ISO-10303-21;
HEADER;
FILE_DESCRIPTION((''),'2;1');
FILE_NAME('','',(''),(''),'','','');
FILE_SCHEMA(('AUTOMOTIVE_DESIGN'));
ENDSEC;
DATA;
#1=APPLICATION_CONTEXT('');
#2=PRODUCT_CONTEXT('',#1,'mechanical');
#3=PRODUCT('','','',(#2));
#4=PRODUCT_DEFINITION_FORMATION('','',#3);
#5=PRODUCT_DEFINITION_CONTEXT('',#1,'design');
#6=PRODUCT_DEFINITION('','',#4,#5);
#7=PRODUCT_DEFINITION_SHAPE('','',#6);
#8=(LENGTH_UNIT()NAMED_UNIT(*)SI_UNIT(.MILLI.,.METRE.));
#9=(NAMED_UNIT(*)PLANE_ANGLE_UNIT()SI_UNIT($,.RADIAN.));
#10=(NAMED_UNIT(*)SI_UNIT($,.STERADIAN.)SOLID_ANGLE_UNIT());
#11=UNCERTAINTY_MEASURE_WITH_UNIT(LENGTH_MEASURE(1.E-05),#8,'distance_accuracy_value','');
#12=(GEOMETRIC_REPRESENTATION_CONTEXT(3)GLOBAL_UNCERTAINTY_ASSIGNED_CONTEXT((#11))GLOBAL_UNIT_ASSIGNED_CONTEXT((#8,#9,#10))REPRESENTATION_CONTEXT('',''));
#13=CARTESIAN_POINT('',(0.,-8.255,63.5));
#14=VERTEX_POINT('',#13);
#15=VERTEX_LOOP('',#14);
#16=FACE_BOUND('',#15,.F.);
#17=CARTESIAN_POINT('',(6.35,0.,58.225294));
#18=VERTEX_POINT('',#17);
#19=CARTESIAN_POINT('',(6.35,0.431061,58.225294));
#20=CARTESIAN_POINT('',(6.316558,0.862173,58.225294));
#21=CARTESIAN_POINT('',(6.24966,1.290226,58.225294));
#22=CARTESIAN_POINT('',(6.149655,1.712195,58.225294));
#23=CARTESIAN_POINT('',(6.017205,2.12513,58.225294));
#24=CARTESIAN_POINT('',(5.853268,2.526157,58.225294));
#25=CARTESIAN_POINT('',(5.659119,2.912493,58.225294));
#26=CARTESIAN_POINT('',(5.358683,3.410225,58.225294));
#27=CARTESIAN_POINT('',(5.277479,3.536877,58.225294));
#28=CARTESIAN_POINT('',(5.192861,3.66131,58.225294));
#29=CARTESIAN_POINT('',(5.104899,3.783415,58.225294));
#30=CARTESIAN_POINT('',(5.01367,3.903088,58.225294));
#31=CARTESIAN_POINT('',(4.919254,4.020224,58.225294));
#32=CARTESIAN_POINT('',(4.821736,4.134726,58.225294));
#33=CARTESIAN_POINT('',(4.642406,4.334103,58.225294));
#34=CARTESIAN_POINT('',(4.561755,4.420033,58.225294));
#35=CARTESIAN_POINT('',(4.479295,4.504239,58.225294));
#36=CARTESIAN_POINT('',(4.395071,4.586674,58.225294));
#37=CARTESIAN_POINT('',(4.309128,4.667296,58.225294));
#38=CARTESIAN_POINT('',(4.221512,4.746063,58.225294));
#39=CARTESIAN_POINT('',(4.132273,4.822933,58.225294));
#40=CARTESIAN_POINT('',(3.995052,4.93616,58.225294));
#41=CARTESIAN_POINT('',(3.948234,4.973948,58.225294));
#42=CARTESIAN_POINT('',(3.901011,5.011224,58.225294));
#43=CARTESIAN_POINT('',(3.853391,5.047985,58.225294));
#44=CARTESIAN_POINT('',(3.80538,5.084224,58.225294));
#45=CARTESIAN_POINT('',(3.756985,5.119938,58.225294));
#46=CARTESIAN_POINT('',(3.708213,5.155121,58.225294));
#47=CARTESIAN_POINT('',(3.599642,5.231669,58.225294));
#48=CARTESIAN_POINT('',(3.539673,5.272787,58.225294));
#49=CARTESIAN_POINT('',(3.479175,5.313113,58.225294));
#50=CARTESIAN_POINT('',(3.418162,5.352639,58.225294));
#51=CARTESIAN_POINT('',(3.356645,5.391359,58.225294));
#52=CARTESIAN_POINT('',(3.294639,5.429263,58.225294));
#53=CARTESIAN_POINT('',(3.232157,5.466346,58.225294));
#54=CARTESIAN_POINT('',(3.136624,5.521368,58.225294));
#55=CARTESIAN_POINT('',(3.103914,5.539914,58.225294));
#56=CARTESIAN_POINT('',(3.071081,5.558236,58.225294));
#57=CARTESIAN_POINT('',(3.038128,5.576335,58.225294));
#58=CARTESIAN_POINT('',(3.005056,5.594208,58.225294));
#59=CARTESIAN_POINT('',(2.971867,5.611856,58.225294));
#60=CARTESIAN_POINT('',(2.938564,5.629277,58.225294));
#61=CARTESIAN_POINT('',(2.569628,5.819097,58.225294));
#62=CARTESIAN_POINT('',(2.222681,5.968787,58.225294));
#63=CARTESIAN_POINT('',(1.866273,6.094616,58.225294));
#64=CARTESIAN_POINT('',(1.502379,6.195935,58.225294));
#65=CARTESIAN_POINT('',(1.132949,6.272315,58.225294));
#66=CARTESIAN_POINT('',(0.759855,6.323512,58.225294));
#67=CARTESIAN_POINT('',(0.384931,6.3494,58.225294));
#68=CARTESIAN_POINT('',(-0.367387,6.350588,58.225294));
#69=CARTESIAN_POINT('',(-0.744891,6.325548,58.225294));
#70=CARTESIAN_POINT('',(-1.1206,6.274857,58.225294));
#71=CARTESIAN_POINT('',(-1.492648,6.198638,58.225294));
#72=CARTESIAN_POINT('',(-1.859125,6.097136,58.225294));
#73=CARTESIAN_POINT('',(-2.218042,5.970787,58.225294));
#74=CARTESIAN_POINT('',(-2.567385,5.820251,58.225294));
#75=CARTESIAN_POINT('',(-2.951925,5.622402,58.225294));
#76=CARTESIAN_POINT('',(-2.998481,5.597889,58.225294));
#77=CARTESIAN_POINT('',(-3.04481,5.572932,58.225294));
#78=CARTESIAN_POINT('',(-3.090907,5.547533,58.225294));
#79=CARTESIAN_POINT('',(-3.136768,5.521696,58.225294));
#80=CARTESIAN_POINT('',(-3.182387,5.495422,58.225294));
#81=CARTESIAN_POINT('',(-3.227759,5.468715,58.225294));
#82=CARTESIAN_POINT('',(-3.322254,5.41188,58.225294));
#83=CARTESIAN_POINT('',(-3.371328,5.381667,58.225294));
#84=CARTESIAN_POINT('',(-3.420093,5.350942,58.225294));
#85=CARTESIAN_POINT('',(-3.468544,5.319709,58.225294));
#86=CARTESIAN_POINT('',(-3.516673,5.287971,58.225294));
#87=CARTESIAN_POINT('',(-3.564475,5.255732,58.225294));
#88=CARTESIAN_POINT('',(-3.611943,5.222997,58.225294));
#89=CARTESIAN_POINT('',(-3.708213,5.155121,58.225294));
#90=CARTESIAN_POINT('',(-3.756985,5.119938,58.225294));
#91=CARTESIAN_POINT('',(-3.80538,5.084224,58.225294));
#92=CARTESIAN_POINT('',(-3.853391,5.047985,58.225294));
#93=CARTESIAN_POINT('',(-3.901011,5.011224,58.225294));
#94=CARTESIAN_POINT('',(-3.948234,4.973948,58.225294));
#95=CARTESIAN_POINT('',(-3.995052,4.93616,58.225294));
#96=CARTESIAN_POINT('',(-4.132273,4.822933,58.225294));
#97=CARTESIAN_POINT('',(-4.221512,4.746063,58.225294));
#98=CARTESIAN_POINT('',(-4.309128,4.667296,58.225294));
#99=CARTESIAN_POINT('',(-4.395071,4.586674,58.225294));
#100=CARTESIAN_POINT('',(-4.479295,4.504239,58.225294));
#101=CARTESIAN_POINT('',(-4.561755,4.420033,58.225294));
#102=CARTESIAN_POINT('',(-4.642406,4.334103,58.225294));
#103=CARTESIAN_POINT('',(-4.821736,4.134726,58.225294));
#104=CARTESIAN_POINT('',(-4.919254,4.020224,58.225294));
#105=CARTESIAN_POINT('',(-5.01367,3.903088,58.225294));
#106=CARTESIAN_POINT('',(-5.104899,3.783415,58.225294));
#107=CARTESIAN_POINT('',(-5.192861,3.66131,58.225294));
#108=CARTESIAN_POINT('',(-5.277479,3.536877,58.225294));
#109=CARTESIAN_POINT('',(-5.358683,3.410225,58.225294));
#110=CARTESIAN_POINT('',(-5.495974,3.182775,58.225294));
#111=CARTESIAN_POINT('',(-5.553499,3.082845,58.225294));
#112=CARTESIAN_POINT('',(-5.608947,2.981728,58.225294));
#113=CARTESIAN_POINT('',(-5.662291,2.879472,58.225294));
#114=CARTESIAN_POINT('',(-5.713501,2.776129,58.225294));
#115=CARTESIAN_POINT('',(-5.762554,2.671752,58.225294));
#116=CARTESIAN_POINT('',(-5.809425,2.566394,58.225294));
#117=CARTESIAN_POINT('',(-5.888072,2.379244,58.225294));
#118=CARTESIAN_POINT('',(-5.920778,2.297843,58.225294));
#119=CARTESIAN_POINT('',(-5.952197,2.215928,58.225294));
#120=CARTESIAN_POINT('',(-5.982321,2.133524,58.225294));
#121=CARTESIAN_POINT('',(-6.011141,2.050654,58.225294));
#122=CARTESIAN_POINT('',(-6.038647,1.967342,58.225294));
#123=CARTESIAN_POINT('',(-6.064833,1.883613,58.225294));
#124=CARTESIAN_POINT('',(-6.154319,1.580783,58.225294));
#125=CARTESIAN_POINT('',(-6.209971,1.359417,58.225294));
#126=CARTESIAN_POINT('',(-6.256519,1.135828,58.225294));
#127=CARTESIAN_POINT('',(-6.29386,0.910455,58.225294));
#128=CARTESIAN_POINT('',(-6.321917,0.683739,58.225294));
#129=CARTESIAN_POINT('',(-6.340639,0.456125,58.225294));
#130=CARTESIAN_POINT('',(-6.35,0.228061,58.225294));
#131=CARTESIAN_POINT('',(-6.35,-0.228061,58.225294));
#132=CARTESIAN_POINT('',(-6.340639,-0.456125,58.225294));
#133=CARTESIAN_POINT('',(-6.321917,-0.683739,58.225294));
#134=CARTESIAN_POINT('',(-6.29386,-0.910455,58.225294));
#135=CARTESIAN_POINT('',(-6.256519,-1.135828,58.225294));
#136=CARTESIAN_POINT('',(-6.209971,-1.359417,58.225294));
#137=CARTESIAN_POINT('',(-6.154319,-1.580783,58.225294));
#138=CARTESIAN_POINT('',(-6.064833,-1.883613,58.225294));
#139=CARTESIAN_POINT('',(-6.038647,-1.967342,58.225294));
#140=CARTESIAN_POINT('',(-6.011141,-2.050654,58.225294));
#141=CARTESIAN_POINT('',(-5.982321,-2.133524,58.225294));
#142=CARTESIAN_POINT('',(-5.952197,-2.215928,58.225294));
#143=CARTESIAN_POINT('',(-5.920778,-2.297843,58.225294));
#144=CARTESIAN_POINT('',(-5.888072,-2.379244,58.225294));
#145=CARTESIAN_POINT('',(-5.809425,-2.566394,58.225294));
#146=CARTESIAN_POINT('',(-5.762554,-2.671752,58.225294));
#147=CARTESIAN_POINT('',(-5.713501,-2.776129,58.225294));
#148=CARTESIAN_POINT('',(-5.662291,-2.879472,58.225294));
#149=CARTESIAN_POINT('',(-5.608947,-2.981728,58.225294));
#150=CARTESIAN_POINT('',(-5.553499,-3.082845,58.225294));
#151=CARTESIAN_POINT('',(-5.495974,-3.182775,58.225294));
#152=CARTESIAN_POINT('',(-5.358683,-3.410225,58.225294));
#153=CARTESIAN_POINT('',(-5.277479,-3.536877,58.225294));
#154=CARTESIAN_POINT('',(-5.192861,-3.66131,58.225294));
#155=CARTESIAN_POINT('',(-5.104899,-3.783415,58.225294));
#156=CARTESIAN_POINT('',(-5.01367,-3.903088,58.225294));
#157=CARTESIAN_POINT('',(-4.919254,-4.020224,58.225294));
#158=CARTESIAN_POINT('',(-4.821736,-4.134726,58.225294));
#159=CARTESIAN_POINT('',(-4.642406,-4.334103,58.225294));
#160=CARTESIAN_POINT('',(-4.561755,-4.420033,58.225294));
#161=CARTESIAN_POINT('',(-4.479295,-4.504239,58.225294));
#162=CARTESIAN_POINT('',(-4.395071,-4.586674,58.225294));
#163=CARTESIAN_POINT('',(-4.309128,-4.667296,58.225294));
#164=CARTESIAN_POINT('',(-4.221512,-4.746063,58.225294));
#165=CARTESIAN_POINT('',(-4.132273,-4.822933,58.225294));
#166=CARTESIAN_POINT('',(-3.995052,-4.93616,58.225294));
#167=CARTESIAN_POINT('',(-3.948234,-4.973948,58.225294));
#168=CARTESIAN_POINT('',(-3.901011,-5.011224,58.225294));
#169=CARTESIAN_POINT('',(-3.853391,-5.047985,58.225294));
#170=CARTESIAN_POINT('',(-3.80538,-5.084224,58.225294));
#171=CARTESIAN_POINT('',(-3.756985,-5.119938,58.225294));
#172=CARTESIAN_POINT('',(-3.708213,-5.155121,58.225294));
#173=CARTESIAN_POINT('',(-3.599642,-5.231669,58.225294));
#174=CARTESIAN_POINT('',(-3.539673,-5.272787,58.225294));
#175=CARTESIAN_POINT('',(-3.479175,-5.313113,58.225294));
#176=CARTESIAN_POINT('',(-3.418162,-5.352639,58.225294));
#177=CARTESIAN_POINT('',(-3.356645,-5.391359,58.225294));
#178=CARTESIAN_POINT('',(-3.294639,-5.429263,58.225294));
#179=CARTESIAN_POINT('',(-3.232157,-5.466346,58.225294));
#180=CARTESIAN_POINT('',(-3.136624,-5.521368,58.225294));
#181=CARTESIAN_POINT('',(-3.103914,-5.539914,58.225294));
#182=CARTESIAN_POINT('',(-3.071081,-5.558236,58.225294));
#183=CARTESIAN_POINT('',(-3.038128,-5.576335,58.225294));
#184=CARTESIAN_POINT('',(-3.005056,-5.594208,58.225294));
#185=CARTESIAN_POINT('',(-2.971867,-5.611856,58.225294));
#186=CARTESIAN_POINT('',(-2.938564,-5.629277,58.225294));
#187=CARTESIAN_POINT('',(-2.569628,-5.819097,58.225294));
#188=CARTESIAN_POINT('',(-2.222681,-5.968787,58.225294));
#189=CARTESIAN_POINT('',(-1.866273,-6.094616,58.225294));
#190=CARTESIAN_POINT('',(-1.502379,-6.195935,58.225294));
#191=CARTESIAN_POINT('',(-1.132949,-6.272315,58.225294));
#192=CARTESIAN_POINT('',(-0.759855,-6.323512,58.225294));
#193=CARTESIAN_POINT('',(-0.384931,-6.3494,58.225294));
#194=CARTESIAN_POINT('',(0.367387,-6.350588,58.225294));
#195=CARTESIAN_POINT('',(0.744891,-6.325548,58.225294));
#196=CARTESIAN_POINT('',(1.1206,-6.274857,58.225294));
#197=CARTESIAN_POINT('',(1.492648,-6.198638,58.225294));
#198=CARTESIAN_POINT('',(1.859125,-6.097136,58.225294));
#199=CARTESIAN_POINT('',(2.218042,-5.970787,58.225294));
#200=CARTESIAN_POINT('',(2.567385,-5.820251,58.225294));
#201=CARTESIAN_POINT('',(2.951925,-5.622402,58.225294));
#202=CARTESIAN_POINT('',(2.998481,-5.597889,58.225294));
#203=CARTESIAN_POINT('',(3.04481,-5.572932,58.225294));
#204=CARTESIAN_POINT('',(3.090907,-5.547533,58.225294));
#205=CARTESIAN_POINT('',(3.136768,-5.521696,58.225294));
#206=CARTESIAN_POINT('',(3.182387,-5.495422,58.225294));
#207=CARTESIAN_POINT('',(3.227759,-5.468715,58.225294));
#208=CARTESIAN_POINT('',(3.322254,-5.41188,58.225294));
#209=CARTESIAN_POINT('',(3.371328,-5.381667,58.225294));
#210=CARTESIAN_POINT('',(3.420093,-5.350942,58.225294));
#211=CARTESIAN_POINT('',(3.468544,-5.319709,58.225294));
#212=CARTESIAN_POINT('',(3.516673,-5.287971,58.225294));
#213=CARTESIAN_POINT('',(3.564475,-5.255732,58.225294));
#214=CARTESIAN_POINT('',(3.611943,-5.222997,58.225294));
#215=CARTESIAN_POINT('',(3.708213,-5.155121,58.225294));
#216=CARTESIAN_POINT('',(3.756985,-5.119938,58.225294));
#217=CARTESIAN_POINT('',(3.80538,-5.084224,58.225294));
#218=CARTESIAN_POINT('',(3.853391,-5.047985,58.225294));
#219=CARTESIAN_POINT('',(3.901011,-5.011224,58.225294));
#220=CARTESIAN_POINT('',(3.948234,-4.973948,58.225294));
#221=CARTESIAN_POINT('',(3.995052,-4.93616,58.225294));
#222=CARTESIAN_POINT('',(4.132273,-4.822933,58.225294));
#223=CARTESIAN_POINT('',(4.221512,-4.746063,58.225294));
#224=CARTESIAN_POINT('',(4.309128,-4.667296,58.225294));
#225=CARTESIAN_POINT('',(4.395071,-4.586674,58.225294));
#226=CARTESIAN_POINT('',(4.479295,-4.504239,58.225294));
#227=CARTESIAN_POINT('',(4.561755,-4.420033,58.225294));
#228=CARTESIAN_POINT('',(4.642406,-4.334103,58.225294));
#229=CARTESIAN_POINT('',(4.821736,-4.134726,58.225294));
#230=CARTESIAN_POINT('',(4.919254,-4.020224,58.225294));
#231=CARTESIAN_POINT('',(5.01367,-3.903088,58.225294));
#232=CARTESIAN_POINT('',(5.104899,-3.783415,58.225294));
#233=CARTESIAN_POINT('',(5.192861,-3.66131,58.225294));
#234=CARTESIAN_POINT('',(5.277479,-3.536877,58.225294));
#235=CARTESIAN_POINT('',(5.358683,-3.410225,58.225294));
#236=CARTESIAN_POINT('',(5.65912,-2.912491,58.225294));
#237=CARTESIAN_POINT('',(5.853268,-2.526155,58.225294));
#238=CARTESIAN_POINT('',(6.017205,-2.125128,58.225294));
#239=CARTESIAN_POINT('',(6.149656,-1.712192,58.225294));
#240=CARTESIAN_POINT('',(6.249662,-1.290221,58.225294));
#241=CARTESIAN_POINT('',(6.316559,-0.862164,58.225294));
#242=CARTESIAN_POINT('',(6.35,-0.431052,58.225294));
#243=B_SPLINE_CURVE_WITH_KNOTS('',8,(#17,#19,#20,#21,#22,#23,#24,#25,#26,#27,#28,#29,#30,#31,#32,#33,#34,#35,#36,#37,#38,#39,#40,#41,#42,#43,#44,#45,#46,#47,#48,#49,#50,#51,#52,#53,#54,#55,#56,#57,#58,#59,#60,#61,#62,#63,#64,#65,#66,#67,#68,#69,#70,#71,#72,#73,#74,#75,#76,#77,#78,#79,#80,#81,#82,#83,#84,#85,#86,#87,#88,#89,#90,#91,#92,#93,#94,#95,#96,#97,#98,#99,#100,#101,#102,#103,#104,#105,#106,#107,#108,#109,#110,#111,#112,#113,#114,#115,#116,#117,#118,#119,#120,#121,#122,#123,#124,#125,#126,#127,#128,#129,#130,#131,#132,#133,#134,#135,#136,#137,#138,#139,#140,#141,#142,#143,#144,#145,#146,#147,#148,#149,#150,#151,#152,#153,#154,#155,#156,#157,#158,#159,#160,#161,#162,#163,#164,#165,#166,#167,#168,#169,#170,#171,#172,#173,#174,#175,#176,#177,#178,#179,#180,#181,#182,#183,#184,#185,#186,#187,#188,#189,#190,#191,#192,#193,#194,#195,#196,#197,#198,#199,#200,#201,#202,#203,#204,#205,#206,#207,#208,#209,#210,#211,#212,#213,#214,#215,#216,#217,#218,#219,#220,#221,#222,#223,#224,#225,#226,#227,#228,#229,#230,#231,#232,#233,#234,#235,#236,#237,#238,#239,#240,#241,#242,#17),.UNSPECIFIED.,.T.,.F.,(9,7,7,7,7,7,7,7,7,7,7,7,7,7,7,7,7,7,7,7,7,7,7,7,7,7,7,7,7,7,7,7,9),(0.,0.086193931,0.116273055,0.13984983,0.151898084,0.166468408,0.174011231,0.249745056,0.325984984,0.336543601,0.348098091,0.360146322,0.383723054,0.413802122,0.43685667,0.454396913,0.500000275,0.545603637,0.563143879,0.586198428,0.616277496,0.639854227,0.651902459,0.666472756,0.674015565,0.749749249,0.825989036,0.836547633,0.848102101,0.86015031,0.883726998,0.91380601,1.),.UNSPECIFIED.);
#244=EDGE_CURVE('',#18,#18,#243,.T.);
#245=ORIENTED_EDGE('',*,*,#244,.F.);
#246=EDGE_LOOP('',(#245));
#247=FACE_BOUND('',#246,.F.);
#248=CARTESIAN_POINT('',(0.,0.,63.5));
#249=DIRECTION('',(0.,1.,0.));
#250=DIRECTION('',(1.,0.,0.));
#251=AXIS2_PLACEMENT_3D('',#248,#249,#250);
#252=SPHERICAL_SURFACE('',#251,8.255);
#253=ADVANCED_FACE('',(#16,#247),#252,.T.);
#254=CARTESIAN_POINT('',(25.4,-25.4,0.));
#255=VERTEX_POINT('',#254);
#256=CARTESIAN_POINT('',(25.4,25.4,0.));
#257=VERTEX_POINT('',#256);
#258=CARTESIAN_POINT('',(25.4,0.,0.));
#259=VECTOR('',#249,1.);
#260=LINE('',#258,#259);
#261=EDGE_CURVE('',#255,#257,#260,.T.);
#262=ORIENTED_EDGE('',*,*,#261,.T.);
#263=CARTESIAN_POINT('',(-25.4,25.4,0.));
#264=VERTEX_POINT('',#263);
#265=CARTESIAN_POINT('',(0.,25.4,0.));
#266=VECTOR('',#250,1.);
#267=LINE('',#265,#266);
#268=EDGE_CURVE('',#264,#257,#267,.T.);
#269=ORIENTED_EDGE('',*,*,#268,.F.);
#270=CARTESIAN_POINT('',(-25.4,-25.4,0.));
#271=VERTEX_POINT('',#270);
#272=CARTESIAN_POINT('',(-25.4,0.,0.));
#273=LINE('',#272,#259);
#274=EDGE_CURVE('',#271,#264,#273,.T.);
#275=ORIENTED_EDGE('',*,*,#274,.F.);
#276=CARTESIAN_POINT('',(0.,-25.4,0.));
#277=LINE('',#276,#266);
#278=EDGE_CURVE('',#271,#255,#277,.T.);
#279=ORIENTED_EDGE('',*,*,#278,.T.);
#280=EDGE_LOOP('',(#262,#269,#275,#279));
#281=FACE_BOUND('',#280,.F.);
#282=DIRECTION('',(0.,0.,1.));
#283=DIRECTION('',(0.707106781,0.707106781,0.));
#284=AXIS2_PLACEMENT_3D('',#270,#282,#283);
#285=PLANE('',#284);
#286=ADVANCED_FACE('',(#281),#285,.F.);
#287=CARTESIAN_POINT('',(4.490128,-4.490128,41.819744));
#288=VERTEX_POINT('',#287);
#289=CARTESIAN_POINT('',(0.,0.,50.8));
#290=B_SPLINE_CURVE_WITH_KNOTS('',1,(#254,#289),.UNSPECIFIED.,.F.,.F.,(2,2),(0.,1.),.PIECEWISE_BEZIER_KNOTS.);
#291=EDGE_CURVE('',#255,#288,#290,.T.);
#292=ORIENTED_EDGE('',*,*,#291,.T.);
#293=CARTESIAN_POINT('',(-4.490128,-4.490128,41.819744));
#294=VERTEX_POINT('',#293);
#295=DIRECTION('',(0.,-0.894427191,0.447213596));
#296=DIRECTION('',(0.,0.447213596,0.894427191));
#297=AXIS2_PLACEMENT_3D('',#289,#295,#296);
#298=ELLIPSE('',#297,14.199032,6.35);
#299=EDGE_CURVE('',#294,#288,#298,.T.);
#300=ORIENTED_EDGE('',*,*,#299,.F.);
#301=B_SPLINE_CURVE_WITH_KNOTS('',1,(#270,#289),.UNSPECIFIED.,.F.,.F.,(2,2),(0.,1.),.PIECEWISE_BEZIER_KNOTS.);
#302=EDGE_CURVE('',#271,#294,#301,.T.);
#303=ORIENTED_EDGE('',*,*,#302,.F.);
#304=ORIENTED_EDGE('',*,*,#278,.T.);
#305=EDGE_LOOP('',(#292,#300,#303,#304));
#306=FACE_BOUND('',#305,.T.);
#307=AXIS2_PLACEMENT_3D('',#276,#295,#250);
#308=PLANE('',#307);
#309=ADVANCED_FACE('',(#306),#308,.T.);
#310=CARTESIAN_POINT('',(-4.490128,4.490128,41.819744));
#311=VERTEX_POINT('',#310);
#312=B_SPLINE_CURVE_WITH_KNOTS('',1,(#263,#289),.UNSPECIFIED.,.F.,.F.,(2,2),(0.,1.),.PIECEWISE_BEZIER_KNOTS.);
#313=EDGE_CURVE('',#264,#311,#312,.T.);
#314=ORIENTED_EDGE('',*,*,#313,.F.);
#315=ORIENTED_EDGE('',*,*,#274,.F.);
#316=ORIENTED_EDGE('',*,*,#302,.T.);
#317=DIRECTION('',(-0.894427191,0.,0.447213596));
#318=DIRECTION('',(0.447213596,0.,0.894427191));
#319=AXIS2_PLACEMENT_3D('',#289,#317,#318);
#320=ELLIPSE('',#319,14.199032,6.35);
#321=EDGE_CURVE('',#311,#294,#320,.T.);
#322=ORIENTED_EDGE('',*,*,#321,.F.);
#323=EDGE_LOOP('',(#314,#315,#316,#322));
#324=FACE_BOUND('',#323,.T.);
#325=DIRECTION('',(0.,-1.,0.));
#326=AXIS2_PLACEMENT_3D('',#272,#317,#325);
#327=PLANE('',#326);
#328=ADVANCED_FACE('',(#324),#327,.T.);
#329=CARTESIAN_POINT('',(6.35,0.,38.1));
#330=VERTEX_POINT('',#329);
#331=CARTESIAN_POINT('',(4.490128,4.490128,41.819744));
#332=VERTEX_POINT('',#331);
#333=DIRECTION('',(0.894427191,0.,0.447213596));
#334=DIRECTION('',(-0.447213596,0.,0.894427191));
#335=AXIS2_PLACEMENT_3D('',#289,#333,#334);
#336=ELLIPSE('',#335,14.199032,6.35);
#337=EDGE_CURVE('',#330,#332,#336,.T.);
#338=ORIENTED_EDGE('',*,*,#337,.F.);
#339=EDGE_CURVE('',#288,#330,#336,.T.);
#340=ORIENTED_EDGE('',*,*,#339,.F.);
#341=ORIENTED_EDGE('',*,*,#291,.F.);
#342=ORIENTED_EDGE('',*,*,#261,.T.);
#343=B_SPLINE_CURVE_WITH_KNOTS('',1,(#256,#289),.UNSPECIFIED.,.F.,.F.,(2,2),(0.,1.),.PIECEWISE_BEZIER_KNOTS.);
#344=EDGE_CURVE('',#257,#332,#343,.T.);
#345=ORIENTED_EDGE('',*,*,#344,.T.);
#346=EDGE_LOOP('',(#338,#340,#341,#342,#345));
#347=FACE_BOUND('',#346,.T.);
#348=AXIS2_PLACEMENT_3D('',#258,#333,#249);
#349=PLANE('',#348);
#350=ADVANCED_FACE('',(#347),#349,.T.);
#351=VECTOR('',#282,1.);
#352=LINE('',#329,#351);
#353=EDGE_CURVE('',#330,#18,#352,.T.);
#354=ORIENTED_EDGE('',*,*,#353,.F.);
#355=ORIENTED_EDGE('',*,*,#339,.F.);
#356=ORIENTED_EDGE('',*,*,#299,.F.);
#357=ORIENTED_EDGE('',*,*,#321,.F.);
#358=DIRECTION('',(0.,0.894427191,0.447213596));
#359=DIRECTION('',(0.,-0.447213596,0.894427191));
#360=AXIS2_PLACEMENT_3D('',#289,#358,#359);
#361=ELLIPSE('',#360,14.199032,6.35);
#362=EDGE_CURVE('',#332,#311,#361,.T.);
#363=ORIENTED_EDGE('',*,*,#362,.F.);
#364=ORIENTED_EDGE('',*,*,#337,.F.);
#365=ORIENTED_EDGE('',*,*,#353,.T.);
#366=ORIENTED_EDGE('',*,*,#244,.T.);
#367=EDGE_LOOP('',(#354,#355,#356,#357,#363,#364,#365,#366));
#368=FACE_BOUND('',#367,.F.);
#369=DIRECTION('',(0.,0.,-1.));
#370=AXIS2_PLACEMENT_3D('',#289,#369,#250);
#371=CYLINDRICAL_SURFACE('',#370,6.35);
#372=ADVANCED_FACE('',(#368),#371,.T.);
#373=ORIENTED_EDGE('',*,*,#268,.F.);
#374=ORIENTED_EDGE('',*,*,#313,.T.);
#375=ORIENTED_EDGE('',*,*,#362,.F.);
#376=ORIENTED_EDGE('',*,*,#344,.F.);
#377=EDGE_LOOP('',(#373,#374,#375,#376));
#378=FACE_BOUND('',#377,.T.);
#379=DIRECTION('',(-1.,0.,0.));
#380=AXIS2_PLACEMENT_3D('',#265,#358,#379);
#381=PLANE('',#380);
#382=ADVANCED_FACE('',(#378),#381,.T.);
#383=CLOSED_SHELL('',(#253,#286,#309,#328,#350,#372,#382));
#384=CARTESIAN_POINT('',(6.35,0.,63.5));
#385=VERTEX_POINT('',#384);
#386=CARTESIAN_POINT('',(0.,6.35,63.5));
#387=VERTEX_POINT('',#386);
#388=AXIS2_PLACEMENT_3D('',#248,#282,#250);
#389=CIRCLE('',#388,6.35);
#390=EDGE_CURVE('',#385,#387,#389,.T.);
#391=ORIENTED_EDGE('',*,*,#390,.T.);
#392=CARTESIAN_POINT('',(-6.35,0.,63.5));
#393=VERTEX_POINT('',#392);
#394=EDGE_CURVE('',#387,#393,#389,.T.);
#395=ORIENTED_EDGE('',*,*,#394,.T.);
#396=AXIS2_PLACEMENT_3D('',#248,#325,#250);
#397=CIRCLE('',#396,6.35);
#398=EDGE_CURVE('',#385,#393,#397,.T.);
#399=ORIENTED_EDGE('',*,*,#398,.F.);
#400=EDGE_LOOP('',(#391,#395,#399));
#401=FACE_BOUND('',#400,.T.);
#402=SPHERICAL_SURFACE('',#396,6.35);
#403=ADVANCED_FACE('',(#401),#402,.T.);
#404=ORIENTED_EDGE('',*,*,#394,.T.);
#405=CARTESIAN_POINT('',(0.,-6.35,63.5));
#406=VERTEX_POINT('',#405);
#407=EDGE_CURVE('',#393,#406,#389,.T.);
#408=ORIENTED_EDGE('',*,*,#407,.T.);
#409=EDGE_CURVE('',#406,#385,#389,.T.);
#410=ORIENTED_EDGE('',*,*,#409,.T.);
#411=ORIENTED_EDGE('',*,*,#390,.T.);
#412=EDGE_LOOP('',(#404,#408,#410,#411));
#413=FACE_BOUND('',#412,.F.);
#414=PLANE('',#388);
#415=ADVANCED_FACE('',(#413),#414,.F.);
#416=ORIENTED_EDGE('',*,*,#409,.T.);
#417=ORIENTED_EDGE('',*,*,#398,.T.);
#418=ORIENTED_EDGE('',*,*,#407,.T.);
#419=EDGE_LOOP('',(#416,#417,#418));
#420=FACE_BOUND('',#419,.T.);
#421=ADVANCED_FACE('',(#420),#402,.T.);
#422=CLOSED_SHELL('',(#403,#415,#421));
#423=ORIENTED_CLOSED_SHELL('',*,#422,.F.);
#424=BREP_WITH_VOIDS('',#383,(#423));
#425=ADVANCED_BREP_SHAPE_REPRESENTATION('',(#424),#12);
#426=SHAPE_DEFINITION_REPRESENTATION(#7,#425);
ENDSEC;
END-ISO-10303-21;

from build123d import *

# Parameters (mm, degrees)
F0_W          = 50.8
F0_H          = 50.8
F4_R          = 6.35
F5_DEPTH      = 25.4
F5_DEPTH_BACK = 12.7


with BuildPart() as f3:
    # F0 (on Top) → F3 section 0
    with BuildSketch(Plane.XY, mode=Mode.PRIVATE) as f3_s0:
        Rectangle(F0_W, F0_H)
    loft([f3_s0.sketch, Vertex(0, 0, 50.8)])

    # F4 (on offset) → F5 (join, two sides)
    with BuildSketch(Plane.XY.offset(50.8)) as f5_sk:
        Circle(F4_R)
    extrude(amount=-F5_DEPTH)
    extrude(f5_sk.sketch, amount=F5_DEPTH_BACK)

    # F6 (on face) → F7 (revolve)
    with BuildSketch(Plane.XY.offset(63.5)):
        with BuildLine():
            Line((0, -6.35), (0, -8.255))
            ThreePointArc((0, -8.255), (8.255, 0), (0, 8.255))
            Line((0, 8.255), (0, 6.35))
            ThreePointArc((0, 6.35), (4.4901280605, 4.4901280605), (6.35, 0))
            ThreePointArc((6.35, 0), (4.4901280605, -4.4901280605), (0, -6.35))
        make_face()
    revolve(axis=Axis((0, 0, 63.5), (0, -1, 0)))


solid = f3.part
